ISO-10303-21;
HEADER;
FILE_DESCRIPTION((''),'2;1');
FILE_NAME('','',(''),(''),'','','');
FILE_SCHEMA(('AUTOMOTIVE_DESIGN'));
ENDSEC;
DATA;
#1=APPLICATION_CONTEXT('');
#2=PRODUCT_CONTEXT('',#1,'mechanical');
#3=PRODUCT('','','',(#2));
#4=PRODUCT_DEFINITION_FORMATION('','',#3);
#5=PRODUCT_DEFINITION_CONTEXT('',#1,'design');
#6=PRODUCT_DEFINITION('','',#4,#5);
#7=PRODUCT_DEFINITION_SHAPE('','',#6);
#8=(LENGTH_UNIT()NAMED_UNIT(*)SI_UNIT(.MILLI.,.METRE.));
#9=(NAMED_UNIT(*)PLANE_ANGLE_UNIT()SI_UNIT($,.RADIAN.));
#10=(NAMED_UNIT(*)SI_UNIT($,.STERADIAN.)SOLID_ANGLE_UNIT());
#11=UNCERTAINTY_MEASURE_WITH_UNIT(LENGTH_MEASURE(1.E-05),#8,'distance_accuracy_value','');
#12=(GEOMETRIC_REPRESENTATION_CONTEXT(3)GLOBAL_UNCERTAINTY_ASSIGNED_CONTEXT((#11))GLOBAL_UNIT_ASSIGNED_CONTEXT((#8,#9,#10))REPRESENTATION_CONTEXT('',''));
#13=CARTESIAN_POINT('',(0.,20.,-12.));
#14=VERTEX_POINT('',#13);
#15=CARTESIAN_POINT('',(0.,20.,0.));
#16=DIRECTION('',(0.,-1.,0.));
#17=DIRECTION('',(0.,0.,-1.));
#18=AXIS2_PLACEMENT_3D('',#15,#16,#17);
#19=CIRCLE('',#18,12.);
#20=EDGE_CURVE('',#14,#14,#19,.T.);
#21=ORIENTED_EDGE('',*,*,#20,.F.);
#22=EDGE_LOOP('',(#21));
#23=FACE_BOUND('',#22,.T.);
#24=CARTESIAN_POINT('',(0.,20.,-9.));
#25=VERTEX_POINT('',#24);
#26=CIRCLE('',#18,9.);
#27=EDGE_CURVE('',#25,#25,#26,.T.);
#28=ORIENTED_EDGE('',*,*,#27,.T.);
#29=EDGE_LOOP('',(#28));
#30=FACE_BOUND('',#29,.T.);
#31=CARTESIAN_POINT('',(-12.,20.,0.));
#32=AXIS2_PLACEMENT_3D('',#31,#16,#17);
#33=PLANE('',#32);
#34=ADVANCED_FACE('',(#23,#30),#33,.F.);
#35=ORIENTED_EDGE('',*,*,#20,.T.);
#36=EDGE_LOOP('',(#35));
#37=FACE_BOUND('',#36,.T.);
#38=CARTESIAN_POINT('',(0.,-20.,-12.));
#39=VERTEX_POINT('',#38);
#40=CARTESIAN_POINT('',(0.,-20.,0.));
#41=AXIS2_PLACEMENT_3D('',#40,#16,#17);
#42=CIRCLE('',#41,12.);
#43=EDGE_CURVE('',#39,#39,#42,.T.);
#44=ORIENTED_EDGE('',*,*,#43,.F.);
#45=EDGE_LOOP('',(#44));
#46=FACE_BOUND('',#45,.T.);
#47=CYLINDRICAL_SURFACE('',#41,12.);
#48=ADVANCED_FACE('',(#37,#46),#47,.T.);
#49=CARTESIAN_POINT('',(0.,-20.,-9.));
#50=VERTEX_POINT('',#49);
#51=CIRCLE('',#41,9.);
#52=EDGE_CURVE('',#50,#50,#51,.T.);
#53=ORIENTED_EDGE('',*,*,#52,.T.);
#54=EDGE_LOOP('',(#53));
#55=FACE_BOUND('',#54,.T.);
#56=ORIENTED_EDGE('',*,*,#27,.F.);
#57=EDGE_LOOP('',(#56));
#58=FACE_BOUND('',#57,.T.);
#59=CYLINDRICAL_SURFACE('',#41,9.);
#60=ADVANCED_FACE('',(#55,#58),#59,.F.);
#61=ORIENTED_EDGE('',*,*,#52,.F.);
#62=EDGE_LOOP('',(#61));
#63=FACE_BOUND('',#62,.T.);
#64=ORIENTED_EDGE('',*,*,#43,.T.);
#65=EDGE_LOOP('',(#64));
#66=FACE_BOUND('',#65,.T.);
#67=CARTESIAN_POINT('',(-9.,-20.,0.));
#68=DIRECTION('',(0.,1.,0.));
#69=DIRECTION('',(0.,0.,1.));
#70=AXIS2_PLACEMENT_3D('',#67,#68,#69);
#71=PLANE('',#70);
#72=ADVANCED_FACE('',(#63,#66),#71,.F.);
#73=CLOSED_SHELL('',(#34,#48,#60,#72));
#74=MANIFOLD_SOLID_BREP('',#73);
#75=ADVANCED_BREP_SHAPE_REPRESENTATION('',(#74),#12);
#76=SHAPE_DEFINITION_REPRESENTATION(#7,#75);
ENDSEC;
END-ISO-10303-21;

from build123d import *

# Parameters (mm, degrees)
PROFILES_W = 3
PROFILES_H = 40


with BuildPart() as part:
    # ProfileS → Profile (revolve)
    with BuildSketch(Plane.XY):
        with Locations((-10.5, 0)):
            Rectangle(PROFILES_W, PROFILES_H)
    revolve(axis=Axis((0, -20, 0), (0, 1, 0)))


solid = part.part
